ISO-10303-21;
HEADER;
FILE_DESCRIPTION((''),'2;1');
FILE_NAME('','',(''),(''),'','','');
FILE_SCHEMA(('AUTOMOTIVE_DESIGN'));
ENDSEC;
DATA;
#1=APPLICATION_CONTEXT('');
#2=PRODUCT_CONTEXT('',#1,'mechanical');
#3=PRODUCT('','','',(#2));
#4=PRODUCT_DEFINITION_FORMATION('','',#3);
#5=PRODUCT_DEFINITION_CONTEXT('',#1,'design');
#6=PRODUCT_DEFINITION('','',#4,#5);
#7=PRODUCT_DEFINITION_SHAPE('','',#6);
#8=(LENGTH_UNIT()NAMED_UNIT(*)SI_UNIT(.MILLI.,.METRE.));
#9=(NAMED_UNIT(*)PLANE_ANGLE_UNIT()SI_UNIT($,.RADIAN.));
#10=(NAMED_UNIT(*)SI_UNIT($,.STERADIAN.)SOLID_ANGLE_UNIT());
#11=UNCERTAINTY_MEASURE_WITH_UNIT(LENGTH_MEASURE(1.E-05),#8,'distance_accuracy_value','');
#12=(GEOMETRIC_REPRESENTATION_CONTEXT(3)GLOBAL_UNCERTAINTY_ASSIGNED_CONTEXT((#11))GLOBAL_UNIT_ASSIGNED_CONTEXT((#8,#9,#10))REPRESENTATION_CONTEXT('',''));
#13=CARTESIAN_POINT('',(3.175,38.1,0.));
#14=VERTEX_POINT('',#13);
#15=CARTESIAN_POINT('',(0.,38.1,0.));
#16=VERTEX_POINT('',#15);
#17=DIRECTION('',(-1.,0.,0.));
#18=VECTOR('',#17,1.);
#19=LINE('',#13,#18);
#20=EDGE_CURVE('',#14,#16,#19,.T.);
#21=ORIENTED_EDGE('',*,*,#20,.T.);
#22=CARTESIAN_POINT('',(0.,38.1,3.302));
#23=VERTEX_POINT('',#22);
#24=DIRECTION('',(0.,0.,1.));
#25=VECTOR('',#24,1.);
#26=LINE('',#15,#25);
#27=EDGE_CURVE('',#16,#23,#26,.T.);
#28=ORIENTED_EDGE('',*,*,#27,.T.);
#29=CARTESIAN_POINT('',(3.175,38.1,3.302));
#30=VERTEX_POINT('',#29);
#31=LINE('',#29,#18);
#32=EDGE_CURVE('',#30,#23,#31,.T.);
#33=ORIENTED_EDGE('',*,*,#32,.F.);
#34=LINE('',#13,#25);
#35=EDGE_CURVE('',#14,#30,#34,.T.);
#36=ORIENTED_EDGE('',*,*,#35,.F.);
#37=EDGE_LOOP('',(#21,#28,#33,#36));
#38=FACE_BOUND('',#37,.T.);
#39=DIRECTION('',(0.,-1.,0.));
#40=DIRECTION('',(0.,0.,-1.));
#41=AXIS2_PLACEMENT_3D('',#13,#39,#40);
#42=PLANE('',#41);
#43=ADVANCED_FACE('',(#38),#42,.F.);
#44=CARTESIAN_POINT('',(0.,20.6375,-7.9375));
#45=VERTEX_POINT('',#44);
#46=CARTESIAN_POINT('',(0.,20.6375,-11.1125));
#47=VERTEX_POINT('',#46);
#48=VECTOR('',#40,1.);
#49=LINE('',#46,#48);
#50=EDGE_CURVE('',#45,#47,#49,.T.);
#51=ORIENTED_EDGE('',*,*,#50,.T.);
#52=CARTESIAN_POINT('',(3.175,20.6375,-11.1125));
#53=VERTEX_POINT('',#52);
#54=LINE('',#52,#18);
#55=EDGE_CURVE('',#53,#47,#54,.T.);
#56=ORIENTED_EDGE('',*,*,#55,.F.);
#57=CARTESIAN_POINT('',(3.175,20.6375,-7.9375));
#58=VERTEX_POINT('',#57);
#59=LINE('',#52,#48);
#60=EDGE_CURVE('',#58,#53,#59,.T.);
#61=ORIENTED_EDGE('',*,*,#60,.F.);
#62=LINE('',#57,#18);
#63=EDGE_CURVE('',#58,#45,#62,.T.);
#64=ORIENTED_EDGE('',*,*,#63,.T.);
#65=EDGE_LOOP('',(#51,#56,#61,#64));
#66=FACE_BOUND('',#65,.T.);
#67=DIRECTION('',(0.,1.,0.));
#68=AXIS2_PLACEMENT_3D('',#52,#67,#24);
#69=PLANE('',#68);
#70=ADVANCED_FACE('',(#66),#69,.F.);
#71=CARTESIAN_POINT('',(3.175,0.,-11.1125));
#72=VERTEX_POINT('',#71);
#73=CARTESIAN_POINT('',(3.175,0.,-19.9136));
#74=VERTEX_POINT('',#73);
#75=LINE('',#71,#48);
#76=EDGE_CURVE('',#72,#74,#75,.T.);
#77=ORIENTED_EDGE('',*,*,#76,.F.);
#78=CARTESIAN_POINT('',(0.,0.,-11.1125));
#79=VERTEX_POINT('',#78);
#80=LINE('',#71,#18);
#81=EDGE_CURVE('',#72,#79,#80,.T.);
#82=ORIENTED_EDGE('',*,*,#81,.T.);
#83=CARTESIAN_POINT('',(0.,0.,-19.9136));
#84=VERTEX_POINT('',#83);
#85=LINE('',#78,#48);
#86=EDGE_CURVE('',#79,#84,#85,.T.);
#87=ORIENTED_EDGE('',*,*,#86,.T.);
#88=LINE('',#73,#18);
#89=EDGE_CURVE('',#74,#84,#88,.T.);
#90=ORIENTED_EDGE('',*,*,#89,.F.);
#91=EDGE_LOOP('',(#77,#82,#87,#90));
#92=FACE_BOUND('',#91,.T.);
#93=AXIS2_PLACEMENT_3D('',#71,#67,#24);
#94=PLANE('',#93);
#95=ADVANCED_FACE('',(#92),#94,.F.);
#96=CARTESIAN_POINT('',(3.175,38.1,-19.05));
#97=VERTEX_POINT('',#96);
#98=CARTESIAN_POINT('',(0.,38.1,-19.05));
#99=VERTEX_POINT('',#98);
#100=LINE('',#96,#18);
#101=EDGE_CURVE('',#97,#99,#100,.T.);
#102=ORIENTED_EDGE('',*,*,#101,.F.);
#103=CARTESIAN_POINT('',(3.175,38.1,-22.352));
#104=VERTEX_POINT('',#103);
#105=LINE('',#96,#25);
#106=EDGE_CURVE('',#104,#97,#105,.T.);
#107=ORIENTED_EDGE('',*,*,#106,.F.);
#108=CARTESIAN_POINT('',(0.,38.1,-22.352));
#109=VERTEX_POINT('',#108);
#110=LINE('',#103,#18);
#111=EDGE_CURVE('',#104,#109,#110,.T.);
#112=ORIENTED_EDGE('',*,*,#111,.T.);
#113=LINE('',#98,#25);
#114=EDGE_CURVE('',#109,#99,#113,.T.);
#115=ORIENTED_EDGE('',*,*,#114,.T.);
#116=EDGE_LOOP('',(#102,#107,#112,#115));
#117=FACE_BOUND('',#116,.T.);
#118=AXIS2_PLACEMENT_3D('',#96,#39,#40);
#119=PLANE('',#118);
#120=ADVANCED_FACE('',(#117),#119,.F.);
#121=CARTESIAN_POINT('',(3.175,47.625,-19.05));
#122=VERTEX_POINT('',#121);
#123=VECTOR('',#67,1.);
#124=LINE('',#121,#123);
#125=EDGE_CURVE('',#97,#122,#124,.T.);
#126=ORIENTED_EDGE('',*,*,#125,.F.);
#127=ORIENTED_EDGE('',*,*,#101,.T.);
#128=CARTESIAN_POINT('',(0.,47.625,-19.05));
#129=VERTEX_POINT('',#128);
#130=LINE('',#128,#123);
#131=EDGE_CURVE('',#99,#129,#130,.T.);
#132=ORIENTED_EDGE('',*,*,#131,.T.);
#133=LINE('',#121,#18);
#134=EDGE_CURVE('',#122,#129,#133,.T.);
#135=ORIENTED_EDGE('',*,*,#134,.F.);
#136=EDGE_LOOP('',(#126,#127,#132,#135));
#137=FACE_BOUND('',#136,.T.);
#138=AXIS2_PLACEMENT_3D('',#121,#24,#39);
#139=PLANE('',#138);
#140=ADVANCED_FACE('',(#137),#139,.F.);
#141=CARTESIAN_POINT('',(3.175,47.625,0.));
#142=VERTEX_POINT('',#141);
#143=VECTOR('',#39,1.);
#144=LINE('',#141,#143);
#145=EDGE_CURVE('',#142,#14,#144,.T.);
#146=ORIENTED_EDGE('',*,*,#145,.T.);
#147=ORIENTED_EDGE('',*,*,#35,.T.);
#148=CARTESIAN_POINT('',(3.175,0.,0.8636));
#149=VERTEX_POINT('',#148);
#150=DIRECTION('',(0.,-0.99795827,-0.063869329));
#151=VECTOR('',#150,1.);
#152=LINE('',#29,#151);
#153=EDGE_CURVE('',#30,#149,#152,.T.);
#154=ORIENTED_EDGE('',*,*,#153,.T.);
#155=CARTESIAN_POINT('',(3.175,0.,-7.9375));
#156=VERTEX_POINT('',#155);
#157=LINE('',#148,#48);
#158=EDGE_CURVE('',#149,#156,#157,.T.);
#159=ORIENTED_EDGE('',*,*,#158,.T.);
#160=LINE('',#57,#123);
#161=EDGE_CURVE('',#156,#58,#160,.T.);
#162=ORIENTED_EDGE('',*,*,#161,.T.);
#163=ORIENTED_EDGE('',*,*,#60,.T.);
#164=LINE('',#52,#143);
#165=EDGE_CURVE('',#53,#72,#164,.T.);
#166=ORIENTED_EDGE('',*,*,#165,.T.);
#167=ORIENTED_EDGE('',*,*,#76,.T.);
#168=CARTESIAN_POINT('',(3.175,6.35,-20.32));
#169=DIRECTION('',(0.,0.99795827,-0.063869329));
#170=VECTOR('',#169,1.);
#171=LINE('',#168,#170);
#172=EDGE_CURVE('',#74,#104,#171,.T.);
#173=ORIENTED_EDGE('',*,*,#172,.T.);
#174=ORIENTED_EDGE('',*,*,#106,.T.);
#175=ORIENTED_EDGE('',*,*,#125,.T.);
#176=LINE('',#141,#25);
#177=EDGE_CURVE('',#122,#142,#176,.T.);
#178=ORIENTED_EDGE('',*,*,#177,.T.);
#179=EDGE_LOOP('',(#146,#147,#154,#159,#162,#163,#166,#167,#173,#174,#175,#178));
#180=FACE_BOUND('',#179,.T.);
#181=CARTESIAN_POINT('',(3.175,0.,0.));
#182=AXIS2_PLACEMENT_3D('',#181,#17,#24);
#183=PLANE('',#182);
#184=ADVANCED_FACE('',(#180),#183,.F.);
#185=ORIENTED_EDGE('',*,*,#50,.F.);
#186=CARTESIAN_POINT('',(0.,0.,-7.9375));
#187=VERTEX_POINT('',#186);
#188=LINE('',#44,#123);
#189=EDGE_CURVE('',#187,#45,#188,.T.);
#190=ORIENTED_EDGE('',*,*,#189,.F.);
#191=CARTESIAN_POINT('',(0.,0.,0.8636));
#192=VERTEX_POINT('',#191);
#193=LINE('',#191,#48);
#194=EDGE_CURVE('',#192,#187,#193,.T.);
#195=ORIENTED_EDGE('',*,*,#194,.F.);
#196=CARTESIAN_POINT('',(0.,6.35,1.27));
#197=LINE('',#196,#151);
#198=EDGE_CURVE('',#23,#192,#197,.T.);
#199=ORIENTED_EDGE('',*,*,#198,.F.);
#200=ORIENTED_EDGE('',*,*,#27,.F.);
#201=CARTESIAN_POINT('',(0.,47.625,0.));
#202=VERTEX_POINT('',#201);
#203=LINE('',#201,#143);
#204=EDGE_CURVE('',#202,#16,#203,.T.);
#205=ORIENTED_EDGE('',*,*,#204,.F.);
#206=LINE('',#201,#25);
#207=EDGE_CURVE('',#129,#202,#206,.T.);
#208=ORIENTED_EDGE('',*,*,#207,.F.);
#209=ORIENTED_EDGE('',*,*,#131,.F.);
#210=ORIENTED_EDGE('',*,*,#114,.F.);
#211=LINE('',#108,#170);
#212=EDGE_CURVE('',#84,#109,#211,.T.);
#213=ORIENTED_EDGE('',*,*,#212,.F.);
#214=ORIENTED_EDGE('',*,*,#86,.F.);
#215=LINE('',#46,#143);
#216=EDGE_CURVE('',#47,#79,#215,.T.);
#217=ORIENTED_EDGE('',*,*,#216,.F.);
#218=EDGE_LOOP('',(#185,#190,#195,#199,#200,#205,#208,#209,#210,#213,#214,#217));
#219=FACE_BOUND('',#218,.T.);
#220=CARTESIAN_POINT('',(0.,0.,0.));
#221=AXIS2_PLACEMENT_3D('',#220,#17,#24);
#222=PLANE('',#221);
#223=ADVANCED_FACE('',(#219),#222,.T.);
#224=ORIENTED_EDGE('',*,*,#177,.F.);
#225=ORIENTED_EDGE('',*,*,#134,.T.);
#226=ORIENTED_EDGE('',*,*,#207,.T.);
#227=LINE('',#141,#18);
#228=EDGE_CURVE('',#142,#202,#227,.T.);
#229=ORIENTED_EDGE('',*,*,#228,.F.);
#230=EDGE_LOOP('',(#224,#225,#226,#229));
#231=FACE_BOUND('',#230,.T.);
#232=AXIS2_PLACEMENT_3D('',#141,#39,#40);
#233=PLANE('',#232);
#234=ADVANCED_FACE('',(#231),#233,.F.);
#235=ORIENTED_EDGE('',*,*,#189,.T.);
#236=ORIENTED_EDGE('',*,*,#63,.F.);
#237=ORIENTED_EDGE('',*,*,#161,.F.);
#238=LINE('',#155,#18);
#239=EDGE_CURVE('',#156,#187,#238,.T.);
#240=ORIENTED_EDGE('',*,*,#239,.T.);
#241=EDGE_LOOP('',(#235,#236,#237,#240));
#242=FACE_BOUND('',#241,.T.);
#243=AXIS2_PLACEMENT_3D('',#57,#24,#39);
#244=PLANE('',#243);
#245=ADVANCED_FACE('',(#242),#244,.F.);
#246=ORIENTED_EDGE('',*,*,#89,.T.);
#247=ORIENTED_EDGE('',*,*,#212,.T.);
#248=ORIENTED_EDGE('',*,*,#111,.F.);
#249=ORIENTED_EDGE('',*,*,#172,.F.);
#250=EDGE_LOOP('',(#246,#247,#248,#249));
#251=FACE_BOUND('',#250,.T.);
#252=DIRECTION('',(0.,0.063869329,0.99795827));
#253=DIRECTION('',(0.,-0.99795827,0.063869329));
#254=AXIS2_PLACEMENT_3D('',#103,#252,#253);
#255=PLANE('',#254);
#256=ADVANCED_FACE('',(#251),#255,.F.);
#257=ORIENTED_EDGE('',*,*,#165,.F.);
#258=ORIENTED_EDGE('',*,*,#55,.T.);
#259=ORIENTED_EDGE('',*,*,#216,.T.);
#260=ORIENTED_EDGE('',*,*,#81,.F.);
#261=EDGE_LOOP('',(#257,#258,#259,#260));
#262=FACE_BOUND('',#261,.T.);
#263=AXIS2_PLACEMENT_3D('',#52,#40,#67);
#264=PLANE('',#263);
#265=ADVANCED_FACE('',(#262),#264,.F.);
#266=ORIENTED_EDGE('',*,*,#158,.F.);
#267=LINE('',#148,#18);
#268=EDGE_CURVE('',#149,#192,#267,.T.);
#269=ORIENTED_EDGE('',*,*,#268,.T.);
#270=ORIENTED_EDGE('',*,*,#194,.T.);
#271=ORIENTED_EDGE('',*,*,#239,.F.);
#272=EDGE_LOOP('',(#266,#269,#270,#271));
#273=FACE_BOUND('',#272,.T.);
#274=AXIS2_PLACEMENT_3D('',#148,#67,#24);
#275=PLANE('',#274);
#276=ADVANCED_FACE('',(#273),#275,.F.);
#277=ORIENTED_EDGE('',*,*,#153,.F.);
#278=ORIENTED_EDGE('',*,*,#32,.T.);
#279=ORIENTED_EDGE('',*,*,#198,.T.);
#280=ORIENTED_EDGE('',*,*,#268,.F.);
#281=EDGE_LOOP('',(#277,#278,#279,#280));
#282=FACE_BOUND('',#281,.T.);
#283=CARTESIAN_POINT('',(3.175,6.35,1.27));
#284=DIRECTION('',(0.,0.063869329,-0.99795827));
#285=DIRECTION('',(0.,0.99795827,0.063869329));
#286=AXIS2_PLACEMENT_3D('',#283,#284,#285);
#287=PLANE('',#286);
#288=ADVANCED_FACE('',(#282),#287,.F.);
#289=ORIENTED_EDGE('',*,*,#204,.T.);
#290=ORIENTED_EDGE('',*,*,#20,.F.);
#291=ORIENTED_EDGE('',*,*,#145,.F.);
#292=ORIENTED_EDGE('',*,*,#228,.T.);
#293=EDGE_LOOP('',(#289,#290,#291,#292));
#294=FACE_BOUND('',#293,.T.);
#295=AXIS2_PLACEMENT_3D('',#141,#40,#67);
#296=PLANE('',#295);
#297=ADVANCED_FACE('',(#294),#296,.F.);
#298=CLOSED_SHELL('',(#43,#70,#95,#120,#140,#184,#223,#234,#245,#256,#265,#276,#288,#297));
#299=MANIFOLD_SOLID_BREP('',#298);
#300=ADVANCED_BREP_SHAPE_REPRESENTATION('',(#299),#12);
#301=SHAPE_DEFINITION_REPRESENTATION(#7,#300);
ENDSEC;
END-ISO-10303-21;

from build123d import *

# Parameters (mm, degrees)
BOSS_EXTRUDE1_DEPTH = 3.175


with BuildPart() as part:
    # Sketch1 → Boss-Extrude1 (new body)
    with BuildSketch(Plane(origin=(0, 0, 0), x_dir=(0, 0, -1), z_dir=(1, 0, 0))):
        Polygon((0, 47.625), (19.05, 47.625), (19.05, 38.1), (22.352, 38.1), (20.32, 6.35), (19.9136, 0), (11.1125, 0), (11.1125, 20.6375), (7.9375, 20.6375), (7.9375, 0), (-0.8636, 0), (-1.27, 6.35), (-3.302, 38.1), (0, 38.1), align=None)
    extrude(amount=BOSS_EXTRUDE1_DEPTH)


solid = part.part
